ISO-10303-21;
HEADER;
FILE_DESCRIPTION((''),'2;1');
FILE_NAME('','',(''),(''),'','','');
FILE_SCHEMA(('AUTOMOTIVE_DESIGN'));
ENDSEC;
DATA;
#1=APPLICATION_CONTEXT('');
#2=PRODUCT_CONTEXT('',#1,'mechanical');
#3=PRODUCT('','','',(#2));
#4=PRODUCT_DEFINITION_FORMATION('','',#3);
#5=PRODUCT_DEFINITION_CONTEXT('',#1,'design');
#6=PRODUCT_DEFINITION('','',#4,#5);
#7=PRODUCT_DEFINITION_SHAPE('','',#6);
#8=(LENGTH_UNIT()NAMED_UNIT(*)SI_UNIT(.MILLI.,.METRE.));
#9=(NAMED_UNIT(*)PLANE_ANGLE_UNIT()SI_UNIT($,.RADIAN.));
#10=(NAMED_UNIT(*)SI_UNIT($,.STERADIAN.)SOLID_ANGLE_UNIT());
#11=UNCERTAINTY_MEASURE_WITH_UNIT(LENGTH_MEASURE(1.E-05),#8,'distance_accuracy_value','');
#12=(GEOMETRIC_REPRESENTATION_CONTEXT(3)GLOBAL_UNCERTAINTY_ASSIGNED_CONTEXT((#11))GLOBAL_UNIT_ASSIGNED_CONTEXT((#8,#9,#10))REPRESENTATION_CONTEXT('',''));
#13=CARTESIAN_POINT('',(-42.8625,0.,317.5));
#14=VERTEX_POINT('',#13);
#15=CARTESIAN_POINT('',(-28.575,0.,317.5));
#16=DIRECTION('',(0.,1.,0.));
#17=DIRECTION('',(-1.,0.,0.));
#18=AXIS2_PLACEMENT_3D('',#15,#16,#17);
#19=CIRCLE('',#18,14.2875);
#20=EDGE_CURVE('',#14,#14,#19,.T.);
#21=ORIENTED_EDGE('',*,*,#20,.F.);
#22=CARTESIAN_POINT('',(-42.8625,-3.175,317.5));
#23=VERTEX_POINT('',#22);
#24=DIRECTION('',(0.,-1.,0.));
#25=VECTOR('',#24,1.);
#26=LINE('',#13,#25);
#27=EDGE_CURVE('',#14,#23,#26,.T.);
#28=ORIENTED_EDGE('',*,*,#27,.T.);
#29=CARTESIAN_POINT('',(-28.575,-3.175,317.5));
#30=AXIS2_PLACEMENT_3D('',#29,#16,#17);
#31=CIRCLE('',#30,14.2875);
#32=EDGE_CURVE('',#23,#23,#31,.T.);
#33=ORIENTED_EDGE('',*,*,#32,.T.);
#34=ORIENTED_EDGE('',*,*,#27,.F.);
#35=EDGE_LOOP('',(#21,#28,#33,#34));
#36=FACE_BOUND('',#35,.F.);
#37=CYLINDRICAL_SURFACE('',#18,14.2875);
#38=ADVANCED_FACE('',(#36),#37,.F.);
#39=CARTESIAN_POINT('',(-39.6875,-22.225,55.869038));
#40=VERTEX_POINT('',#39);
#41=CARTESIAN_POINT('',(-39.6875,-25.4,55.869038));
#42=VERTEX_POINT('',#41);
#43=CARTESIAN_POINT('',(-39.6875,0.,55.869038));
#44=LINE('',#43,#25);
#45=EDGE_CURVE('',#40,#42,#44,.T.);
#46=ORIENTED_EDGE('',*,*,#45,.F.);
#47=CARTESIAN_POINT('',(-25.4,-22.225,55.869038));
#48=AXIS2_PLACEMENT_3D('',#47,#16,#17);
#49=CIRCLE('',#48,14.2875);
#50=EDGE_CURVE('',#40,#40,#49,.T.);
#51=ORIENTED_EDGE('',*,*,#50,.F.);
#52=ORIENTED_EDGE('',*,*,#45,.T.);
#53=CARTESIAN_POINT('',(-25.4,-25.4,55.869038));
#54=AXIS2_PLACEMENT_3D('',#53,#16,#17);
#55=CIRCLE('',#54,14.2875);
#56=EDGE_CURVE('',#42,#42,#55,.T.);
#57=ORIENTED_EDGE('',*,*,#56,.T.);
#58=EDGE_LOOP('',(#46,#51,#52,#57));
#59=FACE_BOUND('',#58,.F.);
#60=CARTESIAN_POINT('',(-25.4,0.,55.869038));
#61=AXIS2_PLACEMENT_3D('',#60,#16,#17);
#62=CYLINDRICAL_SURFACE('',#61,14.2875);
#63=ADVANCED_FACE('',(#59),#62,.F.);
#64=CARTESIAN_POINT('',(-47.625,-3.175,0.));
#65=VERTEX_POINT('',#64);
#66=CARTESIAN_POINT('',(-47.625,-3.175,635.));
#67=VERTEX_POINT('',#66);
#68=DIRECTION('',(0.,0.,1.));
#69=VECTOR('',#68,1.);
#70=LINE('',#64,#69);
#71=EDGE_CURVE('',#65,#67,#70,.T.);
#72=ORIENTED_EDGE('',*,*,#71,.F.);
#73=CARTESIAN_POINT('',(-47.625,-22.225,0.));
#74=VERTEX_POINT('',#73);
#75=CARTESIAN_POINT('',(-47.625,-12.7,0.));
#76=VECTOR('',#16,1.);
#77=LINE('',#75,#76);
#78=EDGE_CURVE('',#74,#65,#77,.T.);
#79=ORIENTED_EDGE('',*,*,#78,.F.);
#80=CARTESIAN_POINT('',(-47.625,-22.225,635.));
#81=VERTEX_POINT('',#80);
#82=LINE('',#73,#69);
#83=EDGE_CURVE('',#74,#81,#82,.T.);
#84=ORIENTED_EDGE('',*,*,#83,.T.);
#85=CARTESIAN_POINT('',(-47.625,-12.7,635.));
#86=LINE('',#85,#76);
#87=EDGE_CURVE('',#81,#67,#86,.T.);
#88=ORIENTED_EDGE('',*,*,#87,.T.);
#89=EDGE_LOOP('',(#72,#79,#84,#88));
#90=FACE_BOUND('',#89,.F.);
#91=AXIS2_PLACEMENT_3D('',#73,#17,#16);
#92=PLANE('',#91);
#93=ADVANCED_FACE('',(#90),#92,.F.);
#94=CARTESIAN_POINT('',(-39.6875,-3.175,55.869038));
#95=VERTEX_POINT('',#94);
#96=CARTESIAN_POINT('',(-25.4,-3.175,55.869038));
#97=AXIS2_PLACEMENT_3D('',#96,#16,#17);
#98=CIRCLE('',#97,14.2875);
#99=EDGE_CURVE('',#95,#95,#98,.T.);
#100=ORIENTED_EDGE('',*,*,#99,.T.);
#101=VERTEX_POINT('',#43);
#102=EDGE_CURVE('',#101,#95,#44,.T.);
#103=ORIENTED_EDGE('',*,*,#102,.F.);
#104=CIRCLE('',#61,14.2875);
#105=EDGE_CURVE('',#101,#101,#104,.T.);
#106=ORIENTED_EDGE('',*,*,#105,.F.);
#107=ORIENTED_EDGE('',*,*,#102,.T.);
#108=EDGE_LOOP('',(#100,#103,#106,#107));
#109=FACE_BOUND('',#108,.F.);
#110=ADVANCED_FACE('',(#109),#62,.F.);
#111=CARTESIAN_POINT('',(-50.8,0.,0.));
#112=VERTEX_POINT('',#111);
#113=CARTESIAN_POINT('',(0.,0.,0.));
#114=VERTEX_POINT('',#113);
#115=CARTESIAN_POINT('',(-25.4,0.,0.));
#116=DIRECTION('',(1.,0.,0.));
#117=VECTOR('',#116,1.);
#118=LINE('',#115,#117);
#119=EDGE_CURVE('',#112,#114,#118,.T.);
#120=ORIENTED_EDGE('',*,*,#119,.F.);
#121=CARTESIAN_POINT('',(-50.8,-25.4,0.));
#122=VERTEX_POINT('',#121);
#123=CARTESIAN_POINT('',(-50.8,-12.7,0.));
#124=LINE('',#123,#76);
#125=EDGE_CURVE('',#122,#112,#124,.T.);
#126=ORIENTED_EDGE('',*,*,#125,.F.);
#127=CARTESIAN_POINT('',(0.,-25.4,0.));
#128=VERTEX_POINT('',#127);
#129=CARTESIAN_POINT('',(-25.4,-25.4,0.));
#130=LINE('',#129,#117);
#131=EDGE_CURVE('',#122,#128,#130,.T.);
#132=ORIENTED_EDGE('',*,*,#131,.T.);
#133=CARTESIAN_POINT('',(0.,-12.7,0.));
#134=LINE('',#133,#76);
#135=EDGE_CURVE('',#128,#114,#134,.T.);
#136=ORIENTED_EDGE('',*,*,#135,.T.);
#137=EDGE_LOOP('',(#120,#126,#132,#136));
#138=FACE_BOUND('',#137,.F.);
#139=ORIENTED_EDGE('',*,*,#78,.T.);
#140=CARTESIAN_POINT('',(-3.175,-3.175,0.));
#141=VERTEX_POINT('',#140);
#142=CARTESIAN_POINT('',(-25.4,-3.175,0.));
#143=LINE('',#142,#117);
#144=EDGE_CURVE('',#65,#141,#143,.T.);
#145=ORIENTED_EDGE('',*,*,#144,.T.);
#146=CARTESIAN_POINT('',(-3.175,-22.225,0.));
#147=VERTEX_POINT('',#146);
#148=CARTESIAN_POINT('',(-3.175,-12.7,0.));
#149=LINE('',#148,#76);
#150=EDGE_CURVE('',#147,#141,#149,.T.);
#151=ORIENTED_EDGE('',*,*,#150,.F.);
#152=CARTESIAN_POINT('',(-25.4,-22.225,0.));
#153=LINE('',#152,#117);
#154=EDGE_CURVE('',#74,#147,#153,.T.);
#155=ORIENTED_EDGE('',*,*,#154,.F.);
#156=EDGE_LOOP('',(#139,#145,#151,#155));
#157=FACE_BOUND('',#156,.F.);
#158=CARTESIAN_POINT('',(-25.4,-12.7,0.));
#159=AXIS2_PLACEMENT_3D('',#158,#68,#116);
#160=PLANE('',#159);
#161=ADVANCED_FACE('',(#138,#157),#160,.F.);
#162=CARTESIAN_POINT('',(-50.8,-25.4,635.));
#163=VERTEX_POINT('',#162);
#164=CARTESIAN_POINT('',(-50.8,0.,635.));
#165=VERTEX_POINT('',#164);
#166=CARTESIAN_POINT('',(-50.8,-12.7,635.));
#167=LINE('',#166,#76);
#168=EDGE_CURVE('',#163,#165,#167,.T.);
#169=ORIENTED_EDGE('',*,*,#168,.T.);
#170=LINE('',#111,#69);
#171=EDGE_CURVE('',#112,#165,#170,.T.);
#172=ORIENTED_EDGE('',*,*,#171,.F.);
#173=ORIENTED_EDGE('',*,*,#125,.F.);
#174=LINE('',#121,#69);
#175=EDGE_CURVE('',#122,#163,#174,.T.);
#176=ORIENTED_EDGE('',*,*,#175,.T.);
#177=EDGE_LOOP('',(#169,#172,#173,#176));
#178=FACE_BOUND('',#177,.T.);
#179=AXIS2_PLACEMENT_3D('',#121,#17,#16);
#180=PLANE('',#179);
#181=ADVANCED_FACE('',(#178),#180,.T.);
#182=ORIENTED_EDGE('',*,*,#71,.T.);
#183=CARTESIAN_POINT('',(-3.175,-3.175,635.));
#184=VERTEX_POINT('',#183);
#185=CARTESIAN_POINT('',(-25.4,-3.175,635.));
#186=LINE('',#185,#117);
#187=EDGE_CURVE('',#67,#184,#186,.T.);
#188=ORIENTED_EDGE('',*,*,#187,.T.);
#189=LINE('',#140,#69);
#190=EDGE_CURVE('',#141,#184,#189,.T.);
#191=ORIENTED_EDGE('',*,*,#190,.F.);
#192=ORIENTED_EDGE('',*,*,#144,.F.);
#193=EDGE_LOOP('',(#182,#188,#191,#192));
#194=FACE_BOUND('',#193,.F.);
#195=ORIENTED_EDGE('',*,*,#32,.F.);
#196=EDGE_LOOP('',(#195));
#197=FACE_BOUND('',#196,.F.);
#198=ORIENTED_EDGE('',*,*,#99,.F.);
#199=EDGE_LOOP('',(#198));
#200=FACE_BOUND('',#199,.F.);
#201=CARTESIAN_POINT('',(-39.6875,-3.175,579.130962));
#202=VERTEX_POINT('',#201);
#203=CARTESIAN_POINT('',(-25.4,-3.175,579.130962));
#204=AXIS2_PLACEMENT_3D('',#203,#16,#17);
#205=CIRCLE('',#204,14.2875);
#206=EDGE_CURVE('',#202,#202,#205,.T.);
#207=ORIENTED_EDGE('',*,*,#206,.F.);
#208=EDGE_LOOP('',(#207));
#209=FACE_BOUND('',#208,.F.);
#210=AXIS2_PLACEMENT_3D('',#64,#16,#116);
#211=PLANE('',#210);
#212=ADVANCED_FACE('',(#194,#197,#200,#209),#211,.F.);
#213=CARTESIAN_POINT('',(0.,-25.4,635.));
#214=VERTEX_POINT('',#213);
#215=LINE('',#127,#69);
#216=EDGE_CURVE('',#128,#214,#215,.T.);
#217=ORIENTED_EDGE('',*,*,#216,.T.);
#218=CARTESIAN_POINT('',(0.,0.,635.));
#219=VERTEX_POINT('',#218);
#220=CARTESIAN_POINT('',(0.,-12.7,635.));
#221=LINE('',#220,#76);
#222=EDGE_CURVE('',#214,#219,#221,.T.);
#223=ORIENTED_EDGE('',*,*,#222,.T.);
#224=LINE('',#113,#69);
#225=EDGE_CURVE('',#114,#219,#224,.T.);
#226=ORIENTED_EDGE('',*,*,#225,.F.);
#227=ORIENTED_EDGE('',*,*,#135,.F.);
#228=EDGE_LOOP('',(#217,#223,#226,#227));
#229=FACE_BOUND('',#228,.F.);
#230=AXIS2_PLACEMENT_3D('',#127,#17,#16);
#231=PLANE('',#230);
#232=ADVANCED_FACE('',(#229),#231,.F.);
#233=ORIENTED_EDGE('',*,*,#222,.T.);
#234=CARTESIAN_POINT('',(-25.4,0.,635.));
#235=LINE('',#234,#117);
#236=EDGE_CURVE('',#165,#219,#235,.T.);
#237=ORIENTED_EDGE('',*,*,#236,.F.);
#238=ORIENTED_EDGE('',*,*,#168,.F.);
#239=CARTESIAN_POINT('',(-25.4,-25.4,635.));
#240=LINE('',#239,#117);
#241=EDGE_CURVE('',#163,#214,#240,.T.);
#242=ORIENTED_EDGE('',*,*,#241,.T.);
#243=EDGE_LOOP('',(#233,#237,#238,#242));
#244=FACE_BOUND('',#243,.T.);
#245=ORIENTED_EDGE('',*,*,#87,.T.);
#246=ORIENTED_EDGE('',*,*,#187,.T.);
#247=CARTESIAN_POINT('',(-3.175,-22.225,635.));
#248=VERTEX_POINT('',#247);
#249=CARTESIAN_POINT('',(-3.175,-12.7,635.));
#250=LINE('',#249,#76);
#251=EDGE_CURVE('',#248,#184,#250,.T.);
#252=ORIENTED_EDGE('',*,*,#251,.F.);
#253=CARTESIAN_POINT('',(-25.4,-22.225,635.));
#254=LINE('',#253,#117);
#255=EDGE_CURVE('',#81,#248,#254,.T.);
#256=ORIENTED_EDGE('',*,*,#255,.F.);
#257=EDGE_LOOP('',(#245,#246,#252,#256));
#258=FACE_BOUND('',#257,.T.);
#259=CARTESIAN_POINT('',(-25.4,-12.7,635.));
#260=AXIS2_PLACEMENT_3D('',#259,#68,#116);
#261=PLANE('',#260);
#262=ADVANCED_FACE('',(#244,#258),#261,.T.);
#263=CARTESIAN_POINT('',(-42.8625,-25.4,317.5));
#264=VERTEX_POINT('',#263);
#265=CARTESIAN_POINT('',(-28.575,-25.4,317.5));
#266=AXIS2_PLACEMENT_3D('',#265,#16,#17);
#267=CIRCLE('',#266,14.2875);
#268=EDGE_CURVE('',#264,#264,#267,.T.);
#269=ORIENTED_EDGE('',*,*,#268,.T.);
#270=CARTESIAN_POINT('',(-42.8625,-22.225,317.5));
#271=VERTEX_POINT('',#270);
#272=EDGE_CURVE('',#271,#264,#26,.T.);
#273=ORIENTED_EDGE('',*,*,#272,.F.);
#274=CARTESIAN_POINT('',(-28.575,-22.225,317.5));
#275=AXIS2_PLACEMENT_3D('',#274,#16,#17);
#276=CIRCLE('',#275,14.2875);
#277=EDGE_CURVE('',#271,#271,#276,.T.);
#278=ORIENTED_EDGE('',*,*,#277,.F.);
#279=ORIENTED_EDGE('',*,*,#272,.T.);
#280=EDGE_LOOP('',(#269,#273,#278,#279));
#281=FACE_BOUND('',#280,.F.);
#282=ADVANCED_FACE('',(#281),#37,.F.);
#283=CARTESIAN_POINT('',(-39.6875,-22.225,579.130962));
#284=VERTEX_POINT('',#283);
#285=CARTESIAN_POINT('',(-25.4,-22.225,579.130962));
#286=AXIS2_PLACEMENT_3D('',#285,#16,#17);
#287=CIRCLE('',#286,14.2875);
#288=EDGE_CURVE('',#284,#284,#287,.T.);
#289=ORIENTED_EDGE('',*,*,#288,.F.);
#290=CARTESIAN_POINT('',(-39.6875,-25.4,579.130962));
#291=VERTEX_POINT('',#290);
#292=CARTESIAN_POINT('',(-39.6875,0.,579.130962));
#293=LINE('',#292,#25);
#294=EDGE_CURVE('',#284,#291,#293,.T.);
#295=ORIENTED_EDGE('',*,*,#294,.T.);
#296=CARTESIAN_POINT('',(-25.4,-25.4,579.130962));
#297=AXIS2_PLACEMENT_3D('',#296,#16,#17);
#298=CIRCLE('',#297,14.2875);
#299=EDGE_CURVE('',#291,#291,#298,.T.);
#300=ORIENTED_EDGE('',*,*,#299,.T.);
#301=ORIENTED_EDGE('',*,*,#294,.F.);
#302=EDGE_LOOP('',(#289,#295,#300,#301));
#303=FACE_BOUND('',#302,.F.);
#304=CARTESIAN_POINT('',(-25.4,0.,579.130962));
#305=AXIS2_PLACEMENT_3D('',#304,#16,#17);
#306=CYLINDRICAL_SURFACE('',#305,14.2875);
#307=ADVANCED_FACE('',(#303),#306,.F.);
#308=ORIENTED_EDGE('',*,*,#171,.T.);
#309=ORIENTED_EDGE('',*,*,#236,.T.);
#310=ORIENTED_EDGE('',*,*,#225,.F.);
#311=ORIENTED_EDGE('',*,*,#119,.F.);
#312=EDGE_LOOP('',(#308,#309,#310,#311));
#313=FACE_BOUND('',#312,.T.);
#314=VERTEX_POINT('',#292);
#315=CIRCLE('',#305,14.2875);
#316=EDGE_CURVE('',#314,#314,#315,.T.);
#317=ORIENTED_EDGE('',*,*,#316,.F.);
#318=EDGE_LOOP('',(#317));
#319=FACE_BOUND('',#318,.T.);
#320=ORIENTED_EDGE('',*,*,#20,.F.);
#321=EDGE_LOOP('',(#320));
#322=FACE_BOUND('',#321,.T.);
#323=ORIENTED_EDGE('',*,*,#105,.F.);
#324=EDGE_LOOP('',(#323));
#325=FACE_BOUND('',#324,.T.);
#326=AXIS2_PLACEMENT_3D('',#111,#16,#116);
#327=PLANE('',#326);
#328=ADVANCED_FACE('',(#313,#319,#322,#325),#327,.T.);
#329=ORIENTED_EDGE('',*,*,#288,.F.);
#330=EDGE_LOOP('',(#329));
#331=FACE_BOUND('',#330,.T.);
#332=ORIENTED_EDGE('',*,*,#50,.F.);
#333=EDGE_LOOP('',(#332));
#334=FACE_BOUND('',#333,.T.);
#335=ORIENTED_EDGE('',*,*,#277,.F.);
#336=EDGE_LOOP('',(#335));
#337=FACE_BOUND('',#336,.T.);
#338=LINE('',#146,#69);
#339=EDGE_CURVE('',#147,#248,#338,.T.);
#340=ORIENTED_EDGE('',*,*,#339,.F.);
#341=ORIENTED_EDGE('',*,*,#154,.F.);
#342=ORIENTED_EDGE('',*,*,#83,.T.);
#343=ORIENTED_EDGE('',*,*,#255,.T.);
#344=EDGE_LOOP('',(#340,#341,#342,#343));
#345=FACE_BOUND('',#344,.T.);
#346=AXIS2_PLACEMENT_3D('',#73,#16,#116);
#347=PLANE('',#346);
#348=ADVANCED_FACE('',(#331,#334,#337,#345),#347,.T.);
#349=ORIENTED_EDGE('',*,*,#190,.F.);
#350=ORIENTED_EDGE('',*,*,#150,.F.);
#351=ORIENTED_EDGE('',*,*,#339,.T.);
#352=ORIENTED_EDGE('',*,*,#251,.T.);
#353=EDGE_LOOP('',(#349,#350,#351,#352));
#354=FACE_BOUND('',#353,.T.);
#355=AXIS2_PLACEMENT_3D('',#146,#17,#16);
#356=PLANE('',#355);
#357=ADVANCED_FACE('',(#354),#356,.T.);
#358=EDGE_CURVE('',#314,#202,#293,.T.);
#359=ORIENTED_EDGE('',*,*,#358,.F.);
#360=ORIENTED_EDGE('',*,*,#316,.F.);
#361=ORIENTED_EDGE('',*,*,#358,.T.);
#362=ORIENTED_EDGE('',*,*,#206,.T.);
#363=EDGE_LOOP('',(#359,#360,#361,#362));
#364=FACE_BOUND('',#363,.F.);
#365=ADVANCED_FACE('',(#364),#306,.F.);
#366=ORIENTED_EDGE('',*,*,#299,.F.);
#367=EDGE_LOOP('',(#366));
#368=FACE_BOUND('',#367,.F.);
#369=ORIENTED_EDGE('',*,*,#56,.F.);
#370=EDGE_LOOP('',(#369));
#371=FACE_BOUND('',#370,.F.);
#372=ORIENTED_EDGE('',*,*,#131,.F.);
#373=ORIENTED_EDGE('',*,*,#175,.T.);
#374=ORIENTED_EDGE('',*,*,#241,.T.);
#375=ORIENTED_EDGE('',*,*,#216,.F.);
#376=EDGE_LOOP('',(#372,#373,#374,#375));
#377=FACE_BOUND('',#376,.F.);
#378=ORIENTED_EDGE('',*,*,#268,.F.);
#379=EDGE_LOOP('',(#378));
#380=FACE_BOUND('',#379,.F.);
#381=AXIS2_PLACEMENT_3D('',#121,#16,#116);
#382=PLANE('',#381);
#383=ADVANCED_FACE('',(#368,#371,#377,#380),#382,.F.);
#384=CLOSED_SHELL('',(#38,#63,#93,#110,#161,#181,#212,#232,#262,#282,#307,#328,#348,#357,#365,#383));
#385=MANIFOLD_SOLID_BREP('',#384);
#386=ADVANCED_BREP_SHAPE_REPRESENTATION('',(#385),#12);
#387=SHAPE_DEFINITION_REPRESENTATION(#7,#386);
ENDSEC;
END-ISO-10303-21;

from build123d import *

# Parameters (mm, degrees)
F0_W     = 50.8
F0_H     = 25.4
F0_W_2   = 44.45
F0_H_2   = 19.05
F1_DEPTH = 635
F2_R     = 14.2875
F3_DEPTH = 25.401


with BuildPart() as f1:
    # F0 (on Top) → F1 (new body)
    with BuildSketch(Plane.XY):
        with Locations((-25.4, -12.7)):
            Rectangle(F0_W, F0_H)
        with Locations((-25.4, -12.7)):
            Rectangle(F0_W_2, F0_H_2, mode=Mode.SUBTRACT)
    extrude(amount=F1_DEPTH)

    # F2 (on face) → F3 (cut, through all)
    with BuildSketch(Plane(origin=(0, 0, 0), x_dir=(-1, 0, 0), z_dir=(0, 1, 0))):
        with Locations((25.4, 55.869038)):
            Circle(F2_R)
        with Locations((25.4, 579.130962)):
            Circle(F2_R)
        with Locations((28.575, 317.5)):
            Circle(F2_R)
    extrude(amount=-F3_DEPTH, mode=Mode.SUBTRACT)


solid = f1.part
